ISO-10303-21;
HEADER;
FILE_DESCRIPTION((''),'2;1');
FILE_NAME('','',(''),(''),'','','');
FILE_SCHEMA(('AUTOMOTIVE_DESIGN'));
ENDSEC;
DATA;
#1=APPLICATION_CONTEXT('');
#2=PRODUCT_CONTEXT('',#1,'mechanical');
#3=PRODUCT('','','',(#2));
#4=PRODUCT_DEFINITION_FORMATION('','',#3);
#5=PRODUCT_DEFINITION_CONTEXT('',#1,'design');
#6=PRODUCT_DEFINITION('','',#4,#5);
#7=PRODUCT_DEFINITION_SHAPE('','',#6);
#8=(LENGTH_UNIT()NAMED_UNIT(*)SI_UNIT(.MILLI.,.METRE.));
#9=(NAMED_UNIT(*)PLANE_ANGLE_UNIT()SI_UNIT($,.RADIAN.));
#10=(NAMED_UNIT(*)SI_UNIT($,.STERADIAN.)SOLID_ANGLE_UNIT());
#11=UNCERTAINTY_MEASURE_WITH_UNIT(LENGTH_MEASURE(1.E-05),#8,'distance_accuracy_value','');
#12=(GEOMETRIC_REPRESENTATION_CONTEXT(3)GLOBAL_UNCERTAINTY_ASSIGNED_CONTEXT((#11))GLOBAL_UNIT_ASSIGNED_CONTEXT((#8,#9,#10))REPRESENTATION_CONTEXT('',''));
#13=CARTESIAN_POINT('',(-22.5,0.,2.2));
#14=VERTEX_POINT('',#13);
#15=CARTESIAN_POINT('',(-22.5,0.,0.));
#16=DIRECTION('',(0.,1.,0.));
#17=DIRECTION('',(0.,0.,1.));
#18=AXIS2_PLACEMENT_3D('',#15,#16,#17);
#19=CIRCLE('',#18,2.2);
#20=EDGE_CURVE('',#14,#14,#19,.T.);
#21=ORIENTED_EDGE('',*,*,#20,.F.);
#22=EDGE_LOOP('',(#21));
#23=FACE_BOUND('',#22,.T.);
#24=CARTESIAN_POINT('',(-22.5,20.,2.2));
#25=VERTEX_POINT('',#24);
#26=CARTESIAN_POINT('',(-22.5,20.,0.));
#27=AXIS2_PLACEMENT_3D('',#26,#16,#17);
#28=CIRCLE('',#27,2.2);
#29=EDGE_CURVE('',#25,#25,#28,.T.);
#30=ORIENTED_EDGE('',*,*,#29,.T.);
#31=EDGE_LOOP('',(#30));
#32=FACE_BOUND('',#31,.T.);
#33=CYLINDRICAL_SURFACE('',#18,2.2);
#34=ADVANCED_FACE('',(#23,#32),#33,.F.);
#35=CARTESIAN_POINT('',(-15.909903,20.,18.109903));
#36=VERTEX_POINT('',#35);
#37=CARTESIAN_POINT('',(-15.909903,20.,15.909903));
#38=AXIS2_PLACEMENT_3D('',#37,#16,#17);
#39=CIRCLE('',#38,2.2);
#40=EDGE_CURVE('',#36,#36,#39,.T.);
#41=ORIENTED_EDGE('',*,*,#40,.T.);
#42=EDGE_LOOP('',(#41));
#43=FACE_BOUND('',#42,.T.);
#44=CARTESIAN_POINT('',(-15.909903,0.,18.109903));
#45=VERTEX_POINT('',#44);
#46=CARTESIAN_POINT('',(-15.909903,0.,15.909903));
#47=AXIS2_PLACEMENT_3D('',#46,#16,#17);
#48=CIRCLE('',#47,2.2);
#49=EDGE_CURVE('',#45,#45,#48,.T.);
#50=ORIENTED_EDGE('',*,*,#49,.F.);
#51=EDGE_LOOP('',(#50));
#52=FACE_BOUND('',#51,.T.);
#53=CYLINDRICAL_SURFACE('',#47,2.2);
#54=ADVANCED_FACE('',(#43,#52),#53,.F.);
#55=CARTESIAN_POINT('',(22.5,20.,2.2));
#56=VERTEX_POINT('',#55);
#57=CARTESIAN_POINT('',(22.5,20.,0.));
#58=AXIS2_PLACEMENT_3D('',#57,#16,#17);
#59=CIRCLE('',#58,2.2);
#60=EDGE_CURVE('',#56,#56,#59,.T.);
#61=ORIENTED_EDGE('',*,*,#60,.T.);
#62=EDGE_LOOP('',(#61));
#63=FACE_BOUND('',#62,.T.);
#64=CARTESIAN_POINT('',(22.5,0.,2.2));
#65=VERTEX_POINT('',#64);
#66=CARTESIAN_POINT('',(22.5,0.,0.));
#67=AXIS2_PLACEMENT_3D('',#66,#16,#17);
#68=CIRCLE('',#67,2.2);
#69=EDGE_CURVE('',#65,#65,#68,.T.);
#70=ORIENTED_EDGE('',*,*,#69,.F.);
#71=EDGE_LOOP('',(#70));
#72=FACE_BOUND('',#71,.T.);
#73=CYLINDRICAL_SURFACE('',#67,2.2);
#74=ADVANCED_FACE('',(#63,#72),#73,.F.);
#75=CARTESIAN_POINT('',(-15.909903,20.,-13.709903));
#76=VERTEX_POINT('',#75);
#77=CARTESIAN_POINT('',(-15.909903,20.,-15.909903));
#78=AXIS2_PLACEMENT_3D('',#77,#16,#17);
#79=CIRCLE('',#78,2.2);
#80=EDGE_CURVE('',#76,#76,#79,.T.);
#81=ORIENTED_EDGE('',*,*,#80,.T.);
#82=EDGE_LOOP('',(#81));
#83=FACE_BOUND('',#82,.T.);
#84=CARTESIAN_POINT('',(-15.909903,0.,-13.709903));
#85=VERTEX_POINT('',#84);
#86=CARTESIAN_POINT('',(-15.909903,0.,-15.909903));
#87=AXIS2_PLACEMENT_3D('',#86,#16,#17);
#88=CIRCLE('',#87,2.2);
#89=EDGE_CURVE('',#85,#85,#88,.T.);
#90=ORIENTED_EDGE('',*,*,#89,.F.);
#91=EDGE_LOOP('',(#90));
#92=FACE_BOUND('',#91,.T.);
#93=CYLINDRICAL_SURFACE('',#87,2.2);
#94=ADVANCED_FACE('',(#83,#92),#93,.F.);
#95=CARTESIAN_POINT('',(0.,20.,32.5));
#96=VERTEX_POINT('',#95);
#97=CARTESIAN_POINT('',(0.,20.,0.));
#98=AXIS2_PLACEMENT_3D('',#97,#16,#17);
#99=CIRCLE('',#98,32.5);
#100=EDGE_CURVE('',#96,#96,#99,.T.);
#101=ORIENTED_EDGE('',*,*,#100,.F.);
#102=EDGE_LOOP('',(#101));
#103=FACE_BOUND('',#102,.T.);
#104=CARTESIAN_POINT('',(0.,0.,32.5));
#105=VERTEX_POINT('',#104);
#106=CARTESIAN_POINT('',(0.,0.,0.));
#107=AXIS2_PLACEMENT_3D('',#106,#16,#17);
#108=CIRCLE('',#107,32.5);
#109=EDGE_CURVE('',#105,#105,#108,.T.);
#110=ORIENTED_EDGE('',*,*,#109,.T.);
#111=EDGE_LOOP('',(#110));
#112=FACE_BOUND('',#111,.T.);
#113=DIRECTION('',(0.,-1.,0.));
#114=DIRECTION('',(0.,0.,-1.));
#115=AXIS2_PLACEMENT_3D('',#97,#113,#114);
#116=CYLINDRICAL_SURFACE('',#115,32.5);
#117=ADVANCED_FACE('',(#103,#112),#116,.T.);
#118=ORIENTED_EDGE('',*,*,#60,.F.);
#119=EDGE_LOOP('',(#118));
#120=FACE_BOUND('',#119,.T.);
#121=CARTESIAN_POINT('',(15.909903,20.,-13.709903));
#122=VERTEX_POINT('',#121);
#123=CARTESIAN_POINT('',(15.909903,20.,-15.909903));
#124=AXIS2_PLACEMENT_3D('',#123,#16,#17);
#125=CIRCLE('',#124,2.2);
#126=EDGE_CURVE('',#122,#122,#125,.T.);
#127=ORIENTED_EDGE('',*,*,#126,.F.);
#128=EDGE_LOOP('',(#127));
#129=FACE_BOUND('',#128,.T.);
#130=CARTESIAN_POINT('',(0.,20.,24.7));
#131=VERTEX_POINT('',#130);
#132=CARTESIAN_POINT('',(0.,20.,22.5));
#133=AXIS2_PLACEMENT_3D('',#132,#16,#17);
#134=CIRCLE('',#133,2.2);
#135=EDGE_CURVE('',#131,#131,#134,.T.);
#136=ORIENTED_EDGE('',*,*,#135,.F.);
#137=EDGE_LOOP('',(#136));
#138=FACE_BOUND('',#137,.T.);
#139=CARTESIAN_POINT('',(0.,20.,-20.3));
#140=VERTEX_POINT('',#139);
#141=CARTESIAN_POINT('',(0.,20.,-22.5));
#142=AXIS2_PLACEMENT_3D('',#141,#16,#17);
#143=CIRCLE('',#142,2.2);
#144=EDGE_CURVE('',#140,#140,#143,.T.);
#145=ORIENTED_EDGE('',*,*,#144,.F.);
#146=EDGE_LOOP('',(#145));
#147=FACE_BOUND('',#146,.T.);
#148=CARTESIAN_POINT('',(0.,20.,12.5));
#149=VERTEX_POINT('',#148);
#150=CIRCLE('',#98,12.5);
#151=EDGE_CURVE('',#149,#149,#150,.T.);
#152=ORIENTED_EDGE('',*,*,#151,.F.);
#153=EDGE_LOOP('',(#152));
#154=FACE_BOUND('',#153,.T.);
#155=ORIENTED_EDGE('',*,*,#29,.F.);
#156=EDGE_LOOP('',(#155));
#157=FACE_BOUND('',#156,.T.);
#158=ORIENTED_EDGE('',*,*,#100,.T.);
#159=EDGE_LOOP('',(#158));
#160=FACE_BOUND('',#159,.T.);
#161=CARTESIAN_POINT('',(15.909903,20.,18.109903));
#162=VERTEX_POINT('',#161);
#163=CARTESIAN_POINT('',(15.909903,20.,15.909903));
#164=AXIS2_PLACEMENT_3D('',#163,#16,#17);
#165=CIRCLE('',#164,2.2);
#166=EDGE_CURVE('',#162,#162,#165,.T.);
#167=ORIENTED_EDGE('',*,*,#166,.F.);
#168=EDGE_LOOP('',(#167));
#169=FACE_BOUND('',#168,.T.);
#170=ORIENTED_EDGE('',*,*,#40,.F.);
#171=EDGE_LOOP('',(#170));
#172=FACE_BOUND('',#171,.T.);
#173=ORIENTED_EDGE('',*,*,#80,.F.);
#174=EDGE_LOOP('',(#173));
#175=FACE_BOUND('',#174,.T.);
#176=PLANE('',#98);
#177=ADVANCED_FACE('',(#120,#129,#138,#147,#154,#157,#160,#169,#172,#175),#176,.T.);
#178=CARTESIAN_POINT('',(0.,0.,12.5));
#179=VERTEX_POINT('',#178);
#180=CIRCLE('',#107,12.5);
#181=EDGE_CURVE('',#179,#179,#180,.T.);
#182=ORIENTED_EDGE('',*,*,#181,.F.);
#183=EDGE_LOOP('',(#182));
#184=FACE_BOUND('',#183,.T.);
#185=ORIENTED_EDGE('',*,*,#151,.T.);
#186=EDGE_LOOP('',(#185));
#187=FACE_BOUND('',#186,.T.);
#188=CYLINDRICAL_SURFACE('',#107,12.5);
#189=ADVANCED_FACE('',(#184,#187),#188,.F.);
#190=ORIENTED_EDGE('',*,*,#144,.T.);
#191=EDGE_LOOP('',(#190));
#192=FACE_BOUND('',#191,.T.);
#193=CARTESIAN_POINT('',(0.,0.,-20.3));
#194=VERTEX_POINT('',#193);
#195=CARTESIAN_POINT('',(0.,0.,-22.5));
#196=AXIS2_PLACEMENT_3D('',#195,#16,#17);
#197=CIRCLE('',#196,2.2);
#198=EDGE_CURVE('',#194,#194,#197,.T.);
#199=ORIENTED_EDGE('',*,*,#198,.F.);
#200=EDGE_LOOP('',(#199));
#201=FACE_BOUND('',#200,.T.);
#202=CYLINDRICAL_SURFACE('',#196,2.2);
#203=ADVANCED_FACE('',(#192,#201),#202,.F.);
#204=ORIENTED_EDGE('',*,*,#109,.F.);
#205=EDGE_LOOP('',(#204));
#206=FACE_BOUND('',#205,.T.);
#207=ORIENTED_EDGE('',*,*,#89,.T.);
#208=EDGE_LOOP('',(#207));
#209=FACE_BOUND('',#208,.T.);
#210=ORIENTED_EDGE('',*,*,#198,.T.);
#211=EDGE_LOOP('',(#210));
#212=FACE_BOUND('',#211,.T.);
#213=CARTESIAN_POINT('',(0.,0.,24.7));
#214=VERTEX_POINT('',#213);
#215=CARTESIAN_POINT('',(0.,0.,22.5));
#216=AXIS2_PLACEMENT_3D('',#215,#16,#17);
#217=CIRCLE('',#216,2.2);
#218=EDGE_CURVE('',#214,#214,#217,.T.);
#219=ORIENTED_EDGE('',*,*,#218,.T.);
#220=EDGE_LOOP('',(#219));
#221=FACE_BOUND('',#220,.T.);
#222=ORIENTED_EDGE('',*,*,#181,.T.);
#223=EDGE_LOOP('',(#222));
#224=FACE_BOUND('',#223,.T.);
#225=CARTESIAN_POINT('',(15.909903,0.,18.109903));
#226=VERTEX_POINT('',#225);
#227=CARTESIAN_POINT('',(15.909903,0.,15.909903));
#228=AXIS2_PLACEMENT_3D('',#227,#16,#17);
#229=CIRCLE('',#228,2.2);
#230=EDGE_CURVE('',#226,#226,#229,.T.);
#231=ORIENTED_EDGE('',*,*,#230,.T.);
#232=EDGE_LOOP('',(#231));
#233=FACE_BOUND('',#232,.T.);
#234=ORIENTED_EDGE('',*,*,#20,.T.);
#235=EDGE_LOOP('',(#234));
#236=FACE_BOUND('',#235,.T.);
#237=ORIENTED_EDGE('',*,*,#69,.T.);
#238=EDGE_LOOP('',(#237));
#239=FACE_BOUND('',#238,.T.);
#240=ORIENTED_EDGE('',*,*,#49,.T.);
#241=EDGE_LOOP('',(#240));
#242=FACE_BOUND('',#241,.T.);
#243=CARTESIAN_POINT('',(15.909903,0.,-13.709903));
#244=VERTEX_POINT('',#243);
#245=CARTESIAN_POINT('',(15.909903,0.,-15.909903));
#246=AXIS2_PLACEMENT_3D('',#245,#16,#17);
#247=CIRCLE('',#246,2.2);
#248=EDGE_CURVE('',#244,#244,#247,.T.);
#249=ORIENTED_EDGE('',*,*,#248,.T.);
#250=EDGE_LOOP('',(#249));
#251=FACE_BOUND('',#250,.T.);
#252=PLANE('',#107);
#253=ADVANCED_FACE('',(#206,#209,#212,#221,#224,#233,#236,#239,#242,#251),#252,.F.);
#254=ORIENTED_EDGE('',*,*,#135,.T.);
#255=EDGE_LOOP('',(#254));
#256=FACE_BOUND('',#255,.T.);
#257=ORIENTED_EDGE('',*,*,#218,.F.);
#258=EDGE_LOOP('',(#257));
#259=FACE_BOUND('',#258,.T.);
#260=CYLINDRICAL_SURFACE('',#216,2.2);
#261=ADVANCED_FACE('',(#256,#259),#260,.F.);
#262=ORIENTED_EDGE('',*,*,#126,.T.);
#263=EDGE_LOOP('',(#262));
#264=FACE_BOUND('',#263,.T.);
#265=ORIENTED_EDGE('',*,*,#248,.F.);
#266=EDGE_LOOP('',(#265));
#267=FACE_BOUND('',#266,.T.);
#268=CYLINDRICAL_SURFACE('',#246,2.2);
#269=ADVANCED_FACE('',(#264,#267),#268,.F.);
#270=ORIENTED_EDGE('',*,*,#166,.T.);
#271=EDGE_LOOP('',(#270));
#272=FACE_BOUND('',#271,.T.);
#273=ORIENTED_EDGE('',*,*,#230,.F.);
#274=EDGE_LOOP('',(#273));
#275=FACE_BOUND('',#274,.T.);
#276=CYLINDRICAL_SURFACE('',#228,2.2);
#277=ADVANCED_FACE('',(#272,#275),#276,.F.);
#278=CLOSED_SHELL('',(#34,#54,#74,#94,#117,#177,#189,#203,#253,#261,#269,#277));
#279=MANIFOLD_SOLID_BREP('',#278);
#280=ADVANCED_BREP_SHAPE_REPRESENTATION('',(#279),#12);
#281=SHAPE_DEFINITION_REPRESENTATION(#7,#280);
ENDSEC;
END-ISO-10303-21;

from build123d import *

# Parameters (mm, degrees)
SKETCH1_R           = 32.5
BOSS_EXTRUDE1_DEPTH = 20
SKETCH2_R           = 2.2
CUT_EXTRUDE1_DEPTH  = 51.124844139
SKETCH3_R           = 12.5
CUT_EXTRUDE2_DEPTH  = 51.124844139


with BuildPart() as part:
    # Sketch1 → Boss-Extrude1 (new body)
    with BuildSketch(Plane(origin=(0, 0, 0), x_dir=(1, 0, 0), z_dir=(0, 1, 0))):
        with Locations(Location((0, 0, 0), (0, 0, 270))):
            Circle(SKETCH1_R)
    extrude(amount=BOSS_EXTRUDE1_DEPTH)

    # Sketch2 → Cut-Extrude1 (cut, through all)
    with BuildSketch(Plane(origin=(0, 20, 0), x_dir=(1, 0, 0), z_dir=(0, 1, 0))):
        with Locations(Location((0, 22.5, 0), (0, 0, 270))):
            Circle(SKETCH2_R)
        with Locations(Location((15.909902577, 15.909902577, 0), (0, 0, 270))):
            Circle(SKETCH2_R)
        with Locations(Location((22.5, 0, 0), (0, 0, 270))):
            Circle(SKETCH2_R)
        with Locations(Location((15.909902577, -15.909902577, 0), (0, 0, 270))):
            Circle(SKETCH2_R)
        with Locations(Location((0, -22.5, 0), (0, 0, 270))):
            Circle(SKETCH2_R)
        with Locations(Location((-15.909902577, -15.909902577, 0), (0, 0, 270))):
            Circle(SKETCH2_R)
        with Locations(Location((-22.5, 0, 0), (0, 0, 270))):
            Circle(SKETCH2_R)
        with Locations(Location((-15.909902577, 15.909902577, 0), (0, 0, 270))):
            Circle(SKETCH2_R)
    extrude(amount=-CUT_EXTRUDE1_DEPTH, mode=Mode.SUBTRACT)

    # Sketch3 → Cut-Extrude2 (cut, through all)
    with BuildSketch(Plane(origin=(0, 20, 0), x_dir=(1, 0, 0), z_dir=(0, 1, 0))):
        with Locations(Location((0, 0, 0), (0, 0, 270))):
            Circle(SKETCH3_R)
    extrude(amount=-CUT_EXTRUDE2_DEPTH, mode=Mode.SUBTRACT)


solid = part.part
